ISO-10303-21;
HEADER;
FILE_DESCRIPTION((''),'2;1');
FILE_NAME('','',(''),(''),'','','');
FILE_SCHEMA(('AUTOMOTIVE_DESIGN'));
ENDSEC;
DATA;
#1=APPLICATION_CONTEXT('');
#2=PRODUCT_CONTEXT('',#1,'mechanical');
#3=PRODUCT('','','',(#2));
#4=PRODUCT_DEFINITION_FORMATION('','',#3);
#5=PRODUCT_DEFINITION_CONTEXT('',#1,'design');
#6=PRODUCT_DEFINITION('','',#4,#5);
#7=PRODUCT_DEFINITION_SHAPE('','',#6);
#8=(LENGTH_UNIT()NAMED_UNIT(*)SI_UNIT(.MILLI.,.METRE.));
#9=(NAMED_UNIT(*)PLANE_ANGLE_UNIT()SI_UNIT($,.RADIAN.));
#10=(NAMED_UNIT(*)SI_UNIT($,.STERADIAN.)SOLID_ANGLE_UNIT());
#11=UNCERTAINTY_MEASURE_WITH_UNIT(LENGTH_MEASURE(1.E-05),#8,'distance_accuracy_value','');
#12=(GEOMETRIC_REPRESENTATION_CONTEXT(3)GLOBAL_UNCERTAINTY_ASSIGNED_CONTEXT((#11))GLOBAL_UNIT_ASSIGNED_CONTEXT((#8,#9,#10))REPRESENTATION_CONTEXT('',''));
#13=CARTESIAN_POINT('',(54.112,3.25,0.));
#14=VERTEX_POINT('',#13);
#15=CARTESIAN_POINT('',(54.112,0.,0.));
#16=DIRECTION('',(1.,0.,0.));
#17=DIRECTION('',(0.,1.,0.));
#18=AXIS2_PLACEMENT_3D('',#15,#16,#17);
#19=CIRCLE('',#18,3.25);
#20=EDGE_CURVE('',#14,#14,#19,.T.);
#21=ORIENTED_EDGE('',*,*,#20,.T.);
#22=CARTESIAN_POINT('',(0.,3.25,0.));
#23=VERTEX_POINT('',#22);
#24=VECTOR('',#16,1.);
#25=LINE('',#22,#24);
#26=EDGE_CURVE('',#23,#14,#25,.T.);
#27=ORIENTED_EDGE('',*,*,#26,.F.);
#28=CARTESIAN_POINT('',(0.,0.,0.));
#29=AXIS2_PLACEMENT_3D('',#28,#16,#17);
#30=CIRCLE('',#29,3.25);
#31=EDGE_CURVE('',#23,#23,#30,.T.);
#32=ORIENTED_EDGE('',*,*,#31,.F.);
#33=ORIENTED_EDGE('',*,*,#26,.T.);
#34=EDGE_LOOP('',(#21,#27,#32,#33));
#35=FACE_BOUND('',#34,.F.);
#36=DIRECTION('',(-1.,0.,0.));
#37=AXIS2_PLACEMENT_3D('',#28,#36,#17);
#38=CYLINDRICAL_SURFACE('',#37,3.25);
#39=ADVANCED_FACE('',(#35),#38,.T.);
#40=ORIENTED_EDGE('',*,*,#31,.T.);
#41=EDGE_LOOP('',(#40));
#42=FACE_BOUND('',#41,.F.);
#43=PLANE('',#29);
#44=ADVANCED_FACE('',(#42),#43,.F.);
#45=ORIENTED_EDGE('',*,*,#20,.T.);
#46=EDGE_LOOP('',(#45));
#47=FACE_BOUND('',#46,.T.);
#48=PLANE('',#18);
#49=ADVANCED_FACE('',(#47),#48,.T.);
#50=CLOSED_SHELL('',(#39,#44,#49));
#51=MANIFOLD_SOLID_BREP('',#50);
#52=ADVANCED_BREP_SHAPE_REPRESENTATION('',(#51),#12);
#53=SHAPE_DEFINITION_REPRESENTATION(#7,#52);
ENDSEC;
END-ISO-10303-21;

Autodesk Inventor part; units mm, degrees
ref_plane "YZ Plane" through (0, 0, 0) normal (1, 0, 0) x (0, 1, 0)
ref_plane "XZ Plane" through (0, 0, 0) normal (0, 1, 0) x (-1, 0, 0)
ref_plane "XY Plane" through (0, 0, 0) normal (0, 0, 1) x (1, 0, 0)
sketch "Sketch1" plane through (0, 0, 0) normal (1, 0, 0) x (0, 1, 0)
  circle A0 centre (0, 0) radius 3.25
  dimension "d0" = 6.5
extrude "Extrusion1" add sketch "Sketch1" along normal blind 54.112
properties part number "linac_upper_ax" material "Stainless Steel"
